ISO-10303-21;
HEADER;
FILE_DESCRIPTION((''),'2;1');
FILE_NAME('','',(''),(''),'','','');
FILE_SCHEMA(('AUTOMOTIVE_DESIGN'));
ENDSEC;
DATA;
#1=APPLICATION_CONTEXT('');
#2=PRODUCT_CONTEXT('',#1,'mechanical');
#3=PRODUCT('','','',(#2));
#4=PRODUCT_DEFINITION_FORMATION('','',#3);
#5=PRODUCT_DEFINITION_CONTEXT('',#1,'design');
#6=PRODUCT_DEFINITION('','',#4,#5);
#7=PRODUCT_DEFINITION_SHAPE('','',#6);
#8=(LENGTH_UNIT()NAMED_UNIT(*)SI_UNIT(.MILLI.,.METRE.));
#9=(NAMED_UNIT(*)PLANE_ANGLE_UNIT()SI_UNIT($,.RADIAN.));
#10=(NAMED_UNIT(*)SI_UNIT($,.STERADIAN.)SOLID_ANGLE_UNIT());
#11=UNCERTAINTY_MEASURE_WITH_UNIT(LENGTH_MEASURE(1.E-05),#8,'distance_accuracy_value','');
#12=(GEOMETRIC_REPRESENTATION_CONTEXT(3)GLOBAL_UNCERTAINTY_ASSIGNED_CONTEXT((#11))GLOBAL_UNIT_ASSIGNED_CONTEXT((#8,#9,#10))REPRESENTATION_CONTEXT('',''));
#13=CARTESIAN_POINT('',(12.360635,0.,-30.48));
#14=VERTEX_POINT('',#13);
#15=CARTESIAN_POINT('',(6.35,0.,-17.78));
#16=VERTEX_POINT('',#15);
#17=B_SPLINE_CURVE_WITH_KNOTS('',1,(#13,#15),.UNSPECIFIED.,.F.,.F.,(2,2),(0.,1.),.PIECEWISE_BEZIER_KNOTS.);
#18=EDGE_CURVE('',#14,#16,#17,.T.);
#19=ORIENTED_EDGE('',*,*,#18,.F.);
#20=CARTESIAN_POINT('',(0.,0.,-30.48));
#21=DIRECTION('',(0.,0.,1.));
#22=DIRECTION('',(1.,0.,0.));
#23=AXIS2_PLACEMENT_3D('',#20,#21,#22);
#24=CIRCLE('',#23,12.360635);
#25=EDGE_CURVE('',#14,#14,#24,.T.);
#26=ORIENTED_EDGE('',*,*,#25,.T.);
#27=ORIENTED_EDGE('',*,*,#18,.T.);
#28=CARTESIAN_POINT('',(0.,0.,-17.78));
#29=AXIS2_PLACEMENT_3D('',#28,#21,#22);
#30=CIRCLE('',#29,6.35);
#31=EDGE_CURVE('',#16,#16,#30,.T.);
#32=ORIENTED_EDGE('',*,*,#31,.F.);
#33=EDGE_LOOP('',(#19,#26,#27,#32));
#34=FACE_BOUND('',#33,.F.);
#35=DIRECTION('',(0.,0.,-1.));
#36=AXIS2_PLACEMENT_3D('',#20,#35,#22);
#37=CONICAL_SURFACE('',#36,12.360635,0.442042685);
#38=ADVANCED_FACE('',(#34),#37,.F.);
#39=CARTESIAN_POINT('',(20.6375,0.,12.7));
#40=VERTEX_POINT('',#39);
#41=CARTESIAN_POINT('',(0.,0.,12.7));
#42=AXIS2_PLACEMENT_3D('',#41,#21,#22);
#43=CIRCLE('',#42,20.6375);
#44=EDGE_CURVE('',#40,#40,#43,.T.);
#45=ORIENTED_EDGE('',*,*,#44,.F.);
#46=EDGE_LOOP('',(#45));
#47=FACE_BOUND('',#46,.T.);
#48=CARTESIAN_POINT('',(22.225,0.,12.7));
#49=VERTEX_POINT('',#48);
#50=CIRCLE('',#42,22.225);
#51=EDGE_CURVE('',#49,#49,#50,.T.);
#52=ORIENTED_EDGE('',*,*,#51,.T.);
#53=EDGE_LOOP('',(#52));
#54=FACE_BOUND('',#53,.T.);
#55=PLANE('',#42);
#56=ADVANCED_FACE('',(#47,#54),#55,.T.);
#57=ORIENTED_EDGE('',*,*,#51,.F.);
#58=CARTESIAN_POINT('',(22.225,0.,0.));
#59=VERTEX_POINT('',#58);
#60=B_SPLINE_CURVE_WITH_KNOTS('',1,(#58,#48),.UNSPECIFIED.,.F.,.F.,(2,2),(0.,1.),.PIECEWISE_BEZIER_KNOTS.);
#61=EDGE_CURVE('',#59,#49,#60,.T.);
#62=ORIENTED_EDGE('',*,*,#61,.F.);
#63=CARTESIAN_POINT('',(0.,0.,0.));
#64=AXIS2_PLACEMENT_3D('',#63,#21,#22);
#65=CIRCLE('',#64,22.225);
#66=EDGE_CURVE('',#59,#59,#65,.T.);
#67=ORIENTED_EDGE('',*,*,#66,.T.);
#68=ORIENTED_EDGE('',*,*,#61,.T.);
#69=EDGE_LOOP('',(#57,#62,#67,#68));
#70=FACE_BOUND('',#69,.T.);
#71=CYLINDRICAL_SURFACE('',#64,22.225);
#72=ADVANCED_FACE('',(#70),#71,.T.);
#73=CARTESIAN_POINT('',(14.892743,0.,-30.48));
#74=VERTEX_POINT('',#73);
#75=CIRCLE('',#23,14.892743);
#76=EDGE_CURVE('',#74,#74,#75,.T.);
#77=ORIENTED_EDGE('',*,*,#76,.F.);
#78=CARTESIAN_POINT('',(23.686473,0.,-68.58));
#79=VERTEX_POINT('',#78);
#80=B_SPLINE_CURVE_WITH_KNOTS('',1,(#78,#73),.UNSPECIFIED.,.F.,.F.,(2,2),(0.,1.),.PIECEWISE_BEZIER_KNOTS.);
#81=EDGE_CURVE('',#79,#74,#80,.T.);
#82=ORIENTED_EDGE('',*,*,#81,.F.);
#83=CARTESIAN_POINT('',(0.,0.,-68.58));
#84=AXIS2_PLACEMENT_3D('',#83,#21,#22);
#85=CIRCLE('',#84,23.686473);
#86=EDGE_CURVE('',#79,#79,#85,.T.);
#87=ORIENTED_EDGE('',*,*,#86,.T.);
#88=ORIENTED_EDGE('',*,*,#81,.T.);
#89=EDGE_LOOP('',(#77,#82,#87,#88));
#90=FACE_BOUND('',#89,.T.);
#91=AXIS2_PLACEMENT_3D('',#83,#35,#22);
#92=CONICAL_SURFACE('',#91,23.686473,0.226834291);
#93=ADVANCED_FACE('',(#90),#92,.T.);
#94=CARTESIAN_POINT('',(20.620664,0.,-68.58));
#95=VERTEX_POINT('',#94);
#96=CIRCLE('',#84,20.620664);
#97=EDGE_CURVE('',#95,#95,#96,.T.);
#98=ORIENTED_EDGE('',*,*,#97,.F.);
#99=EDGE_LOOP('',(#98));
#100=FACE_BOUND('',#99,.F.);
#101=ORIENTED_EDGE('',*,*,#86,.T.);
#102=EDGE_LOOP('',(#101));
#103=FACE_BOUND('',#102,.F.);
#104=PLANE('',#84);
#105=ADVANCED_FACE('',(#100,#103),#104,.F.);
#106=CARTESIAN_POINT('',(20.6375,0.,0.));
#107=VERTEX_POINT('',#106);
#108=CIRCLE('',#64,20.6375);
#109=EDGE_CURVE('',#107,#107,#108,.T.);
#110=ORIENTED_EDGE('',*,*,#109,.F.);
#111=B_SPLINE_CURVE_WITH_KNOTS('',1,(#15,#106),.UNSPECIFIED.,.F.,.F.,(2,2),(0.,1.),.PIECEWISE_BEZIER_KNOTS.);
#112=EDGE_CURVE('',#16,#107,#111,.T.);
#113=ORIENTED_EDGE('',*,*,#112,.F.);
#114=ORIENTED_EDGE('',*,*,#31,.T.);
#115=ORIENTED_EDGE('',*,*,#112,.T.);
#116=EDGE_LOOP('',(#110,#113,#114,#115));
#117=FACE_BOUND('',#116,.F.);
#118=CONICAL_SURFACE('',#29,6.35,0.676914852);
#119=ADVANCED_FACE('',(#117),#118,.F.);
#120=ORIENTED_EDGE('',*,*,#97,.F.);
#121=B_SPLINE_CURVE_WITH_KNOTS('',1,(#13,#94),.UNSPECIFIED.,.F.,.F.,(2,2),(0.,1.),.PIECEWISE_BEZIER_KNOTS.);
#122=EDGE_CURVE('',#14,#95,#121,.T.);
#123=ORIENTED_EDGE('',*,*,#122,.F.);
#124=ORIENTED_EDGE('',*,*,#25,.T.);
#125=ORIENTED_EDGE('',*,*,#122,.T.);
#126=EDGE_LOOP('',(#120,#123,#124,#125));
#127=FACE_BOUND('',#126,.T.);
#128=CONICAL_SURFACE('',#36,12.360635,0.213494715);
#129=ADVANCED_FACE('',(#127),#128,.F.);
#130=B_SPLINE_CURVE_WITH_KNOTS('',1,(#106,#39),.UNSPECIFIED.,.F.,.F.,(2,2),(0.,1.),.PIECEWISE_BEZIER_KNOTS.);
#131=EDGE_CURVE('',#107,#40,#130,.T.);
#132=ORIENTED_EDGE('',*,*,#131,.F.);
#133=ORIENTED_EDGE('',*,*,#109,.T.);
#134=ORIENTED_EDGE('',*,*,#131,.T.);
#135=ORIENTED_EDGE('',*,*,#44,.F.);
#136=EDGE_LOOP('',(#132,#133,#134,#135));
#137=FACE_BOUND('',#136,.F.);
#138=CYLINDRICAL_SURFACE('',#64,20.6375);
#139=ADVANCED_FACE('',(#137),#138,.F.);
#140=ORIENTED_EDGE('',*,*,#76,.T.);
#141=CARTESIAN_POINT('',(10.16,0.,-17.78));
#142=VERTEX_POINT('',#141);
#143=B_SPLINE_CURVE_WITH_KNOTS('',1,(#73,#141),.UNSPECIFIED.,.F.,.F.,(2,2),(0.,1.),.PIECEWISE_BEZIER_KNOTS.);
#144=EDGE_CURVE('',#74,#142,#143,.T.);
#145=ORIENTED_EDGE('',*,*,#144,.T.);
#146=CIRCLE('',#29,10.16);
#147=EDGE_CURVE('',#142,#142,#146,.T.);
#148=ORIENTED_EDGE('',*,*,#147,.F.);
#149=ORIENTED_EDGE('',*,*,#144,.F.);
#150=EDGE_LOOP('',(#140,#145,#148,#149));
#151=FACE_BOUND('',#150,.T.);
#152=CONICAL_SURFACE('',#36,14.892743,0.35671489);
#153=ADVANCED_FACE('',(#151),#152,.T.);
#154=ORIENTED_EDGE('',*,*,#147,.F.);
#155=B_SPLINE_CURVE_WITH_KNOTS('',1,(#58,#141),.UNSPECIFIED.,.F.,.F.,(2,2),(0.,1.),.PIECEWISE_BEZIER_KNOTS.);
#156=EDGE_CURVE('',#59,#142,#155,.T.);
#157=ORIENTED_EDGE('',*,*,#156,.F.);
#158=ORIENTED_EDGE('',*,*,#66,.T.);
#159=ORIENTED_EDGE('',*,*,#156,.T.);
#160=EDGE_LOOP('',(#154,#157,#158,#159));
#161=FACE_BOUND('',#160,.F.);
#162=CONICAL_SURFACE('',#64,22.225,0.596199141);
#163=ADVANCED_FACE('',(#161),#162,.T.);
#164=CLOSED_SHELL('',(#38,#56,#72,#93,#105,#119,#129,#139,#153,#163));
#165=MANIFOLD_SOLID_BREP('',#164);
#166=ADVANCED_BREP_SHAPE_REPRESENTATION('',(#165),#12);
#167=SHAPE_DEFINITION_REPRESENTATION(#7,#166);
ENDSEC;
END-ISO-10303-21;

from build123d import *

# Parameters (mm, degrees)
F1_R  = 22.225
F4_R  = 22.225
F0_R  = 20.6375
F3_R  = 20.6375
F9_R  = 10.16
F8_R  = 6.35
F16_R = 14.892743
F15_R = 12.360635
F19_R = 23.686473
F13_R = 20.620664


with BuildPart() as f5:
    # F1 (on Top) → F5 section 0
    with BuildSketch(Plane.XY):
        Circle(F1_R)
    # F4 (on offset) → F5 section 1
    with BuildSketch(Plane.XY.offset(12.7)):
        Circle(F4_R)
    loft()

    # F0 (on Top) → F6 section 0
    with BuildSketch(Plane.XY):
        Circle(F0_R)
    # F3 (on offset) → F6 section 1
    with BuildSketch(Plane.XY.offset(12.7)):
        Circle(F3_R)
    loft(mode=Mode.SUBTRACT)

    # F1 (on Top) → F10 section 0
    with BuildSketch(Plane.XY):
        Circle(F1_R)
    # F9 (on offset) → F10 section 1
    with BuildSketch(Plane.XY.offset(-17.78)):
        Circle(F9_R)
    loft()

    # F8 (on offset) → F11 section 0
    with BuildSketch(Plane.XY.offset(-17.78)):
        Circle(F8_R)
    # F0 (on Top) → F11 section 1
    with BuildSketch(Plane.XY):
        Circle(F0_R)
    loft(mode=Mode.SUBTRACT)

    # F16 (on offset) → F17 section 0
    with BuildSketch(Plane.XY.offset(-30.48)):
        Circle(F16_R)
    # F9 (on offset) → F17 section 1
    with BuildSketch(Plane.XY.offset(-17.78)):
        Circle(F9_R)
    loft()

    # F15 (on offset) → F18 section 0
    with BuildSketch(Plane.XY.offset(-30.48)):
        Circle(F15_R)
    # F8 (on offset) → F18 section 1
    with BuildSketch(Plane.XY.offset(-17.78)):
        Circle(F8_R)
    loft(mode=Mode.SUBTRACT)

    # F19 (on offset) → F20 section 0
    with BuildSketch(Plane.XY.offset(-68.58)):
        Circle(F19_R)
    # F16 (on offset) → F20 section 1
    with BuildSketch(Plane.XY.offset(-30.48)):
        Circle(F16_R)
    loft()

    # F15 (on offset) → F21 section 0
    with BuildSketch(Plane.XY.offset(-30.48)):
        Circle(F15_R)
    # F13 (on offset) → F21 section 1
    with BuildSketch(Plane.XY.offset(-68.58)):
        Circle(F13_R)
    loft(mode=Mode.SUBTRACT)


solid = f5.part
